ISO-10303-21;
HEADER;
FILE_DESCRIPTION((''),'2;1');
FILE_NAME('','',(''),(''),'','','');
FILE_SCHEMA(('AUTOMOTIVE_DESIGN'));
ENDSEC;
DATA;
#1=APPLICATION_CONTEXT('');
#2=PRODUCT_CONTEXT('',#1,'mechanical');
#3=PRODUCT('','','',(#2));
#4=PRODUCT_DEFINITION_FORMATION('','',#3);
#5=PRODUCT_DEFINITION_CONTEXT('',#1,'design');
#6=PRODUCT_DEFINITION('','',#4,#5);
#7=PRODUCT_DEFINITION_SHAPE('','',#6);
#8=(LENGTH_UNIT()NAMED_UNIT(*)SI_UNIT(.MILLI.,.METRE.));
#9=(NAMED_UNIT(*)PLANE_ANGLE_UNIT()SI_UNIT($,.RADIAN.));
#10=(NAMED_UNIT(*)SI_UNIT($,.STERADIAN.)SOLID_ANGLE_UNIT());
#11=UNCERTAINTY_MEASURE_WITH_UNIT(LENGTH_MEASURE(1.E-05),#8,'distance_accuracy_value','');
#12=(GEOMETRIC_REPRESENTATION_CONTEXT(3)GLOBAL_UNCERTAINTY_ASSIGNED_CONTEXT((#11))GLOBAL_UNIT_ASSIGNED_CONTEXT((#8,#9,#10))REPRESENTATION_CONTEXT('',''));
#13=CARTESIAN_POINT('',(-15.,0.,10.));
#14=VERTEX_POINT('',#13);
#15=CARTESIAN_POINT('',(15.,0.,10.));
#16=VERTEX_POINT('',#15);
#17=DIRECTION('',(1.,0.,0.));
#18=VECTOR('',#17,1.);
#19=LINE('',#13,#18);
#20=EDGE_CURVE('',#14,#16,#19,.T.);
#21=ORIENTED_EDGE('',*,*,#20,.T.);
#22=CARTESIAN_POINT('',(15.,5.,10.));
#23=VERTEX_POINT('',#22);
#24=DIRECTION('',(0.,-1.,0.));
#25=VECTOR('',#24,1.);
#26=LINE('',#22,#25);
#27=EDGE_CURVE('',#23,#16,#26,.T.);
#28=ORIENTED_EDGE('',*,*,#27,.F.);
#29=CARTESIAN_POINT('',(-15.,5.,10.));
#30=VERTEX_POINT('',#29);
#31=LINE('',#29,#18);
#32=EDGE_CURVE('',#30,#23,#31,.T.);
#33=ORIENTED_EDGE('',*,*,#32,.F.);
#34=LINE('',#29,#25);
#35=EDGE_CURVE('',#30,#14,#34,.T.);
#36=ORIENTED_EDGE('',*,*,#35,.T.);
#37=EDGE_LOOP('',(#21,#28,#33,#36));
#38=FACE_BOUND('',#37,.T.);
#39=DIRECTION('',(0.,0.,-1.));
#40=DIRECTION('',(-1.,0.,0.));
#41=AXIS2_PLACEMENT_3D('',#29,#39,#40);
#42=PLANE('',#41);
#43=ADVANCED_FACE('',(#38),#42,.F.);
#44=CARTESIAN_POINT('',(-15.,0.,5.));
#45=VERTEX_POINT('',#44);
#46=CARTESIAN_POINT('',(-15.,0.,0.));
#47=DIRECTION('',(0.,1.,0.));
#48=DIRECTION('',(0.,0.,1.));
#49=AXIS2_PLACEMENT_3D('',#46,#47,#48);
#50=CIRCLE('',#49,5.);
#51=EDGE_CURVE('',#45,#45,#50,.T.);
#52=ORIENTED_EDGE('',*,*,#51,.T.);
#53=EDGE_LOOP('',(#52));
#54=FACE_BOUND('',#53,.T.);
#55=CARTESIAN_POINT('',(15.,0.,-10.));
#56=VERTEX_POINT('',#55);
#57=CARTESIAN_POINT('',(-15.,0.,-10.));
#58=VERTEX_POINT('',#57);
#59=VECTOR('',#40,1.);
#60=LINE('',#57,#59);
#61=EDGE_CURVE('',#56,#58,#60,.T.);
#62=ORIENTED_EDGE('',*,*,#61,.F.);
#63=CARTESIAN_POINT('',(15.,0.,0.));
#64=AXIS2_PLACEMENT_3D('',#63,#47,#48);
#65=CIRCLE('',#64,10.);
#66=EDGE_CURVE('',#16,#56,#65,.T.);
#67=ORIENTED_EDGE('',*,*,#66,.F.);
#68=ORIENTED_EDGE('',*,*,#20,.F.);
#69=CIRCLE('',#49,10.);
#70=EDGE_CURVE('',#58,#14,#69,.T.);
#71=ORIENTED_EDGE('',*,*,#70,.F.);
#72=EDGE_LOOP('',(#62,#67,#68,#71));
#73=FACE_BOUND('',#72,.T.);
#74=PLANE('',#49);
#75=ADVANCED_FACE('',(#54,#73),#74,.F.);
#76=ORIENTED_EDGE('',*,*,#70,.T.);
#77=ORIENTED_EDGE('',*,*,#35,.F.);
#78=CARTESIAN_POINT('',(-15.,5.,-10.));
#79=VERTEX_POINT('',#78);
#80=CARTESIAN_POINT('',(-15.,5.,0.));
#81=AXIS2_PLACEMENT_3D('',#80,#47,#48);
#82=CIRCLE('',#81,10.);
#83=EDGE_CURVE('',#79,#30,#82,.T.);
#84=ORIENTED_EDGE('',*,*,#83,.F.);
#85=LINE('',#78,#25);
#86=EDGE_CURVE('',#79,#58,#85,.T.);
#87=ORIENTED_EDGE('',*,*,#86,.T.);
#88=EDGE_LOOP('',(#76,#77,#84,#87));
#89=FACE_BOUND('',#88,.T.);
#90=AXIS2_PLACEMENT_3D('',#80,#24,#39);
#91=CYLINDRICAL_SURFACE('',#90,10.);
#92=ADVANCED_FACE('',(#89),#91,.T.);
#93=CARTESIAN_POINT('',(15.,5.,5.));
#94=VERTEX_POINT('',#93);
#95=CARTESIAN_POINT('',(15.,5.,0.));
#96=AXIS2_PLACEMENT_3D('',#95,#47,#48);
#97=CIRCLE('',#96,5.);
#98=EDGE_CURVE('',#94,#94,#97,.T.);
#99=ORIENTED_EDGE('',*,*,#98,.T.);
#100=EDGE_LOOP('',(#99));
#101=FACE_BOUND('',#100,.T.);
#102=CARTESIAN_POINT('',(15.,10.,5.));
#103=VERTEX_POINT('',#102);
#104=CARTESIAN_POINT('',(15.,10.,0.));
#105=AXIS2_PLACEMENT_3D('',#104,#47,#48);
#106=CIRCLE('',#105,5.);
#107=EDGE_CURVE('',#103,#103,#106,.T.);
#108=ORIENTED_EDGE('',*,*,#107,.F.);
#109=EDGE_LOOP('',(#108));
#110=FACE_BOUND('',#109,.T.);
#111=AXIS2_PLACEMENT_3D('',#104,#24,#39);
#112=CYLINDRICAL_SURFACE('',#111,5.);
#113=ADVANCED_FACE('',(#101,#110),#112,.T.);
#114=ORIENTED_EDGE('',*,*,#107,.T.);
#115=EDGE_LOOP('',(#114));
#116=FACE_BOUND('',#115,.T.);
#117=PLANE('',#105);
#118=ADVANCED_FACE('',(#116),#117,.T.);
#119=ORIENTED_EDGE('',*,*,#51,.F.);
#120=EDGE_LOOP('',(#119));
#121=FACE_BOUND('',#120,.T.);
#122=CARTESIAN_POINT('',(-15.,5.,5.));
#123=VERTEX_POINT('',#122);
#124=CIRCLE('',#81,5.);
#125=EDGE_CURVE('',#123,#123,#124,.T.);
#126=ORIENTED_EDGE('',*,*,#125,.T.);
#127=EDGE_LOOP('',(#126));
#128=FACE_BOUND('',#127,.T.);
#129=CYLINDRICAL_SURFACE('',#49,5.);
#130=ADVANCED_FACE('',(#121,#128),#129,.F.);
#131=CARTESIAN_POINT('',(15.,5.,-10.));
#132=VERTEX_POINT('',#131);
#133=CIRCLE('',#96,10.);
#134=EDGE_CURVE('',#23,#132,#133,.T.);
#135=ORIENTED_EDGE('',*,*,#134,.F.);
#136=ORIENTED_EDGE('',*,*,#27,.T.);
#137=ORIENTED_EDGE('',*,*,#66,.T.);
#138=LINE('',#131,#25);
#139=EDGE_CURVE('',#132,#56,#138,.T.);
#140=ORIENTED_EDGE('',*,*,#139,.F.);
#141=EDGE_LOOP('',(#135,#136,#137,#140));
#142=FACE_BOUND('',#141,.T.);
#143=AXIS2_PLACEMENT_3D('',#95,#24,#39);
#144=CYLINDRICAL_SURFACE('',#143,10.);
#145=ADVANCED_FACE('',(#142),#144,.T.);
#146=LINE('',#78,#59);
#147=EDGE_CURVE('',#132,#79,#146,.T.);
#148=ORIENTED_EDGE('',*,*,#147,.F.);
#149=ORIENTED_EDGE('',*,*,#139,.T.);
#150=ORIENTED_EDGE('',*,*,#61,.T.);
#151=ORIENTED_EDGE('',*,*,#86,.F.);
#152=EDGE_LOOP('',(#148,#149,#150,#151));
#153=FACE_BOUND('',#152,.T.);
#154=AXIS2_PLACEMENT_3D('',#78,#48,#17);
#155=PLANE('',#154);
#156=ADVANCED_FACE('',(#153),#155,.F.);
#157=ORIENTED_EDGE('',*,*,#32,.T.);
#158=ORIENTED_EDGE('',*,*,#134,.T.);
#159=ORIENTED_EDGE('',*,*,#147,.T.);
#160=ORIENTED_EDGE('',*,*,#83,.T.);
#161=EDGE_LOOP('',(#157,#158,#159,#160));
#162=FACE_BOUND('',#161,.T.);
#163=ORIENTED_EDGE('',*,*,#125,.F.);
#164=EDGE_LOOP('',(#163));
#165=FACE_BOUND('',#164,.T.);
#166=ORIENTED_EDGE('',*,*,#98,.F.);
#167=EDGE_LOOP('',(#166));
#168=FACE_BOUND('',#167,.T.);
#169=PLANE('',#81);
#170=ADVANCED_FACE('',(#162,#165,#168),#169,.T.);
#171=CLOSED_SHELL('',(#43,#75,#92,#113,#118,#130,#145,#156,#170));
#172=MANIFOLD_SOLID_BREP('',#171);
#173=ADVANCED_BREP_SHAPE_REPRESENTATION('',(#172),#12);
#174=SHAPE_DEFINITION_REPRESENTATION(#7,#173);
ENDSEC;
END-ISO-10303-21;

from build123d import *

# Parameters (mm, degrees)
BOSS_EXTRUDE1_DEPTH = 5
SKETCH2_R           = 5
BOSS_EXTRUDE2_DEPTH = 5
SKETCH3_R           = 5
CUT_EXTRUDE1_DEPTH  = 28.386127875


with BuildPart() as part:
    # Sketch1 → Boss-Extrude1 (new body)
    with BuildSketch(Plane(origin=(0, 0, 0), x_dir=(1, 0, 0), z_dir=(0, 1, 0))):
        with BuildLine():
            Line((-15, 10), (15, 10))
            ThreePointArc((15, 10), (25, 0), (15, -10))
            Line((15, -10), (-15, -10))
            ThreePointArc((-15, -10), (-25, 0), (-15, 10))
        make_face()
    extrude(amount=BOSS_EXTRUDE1_DEPTH)

    # Sketch2 → Boss-Extrude2 (add)
    with BuildSketch(Plane(origin=(0, 5, 0), x_dir=(1, 0, 0), z_dir=(0, 1, 0))):
        with Locations(Location((15, 0, 0), (0, 0, 270))):
            Circle(SKETCH2_R)
    extrude(amount=BOSS_EXTRUDE2_DEPTH)

    # Sketch3 → Cut-Extrude1 (cut, through all)
    with BuildSketch(Plane(origin=(0, 5, 0), x_dir=(1, 0, 0), z_dir=(0, 1, 0))):
        with Locations(Location((-15, 0, 0), (0, 0, 270))):
            Circle(SKETCH3_R)
    extrude(amount=-CUT_EXTRUDE1_DEPTH, mode=Mode.SUBTRACT)


solid = part.part
